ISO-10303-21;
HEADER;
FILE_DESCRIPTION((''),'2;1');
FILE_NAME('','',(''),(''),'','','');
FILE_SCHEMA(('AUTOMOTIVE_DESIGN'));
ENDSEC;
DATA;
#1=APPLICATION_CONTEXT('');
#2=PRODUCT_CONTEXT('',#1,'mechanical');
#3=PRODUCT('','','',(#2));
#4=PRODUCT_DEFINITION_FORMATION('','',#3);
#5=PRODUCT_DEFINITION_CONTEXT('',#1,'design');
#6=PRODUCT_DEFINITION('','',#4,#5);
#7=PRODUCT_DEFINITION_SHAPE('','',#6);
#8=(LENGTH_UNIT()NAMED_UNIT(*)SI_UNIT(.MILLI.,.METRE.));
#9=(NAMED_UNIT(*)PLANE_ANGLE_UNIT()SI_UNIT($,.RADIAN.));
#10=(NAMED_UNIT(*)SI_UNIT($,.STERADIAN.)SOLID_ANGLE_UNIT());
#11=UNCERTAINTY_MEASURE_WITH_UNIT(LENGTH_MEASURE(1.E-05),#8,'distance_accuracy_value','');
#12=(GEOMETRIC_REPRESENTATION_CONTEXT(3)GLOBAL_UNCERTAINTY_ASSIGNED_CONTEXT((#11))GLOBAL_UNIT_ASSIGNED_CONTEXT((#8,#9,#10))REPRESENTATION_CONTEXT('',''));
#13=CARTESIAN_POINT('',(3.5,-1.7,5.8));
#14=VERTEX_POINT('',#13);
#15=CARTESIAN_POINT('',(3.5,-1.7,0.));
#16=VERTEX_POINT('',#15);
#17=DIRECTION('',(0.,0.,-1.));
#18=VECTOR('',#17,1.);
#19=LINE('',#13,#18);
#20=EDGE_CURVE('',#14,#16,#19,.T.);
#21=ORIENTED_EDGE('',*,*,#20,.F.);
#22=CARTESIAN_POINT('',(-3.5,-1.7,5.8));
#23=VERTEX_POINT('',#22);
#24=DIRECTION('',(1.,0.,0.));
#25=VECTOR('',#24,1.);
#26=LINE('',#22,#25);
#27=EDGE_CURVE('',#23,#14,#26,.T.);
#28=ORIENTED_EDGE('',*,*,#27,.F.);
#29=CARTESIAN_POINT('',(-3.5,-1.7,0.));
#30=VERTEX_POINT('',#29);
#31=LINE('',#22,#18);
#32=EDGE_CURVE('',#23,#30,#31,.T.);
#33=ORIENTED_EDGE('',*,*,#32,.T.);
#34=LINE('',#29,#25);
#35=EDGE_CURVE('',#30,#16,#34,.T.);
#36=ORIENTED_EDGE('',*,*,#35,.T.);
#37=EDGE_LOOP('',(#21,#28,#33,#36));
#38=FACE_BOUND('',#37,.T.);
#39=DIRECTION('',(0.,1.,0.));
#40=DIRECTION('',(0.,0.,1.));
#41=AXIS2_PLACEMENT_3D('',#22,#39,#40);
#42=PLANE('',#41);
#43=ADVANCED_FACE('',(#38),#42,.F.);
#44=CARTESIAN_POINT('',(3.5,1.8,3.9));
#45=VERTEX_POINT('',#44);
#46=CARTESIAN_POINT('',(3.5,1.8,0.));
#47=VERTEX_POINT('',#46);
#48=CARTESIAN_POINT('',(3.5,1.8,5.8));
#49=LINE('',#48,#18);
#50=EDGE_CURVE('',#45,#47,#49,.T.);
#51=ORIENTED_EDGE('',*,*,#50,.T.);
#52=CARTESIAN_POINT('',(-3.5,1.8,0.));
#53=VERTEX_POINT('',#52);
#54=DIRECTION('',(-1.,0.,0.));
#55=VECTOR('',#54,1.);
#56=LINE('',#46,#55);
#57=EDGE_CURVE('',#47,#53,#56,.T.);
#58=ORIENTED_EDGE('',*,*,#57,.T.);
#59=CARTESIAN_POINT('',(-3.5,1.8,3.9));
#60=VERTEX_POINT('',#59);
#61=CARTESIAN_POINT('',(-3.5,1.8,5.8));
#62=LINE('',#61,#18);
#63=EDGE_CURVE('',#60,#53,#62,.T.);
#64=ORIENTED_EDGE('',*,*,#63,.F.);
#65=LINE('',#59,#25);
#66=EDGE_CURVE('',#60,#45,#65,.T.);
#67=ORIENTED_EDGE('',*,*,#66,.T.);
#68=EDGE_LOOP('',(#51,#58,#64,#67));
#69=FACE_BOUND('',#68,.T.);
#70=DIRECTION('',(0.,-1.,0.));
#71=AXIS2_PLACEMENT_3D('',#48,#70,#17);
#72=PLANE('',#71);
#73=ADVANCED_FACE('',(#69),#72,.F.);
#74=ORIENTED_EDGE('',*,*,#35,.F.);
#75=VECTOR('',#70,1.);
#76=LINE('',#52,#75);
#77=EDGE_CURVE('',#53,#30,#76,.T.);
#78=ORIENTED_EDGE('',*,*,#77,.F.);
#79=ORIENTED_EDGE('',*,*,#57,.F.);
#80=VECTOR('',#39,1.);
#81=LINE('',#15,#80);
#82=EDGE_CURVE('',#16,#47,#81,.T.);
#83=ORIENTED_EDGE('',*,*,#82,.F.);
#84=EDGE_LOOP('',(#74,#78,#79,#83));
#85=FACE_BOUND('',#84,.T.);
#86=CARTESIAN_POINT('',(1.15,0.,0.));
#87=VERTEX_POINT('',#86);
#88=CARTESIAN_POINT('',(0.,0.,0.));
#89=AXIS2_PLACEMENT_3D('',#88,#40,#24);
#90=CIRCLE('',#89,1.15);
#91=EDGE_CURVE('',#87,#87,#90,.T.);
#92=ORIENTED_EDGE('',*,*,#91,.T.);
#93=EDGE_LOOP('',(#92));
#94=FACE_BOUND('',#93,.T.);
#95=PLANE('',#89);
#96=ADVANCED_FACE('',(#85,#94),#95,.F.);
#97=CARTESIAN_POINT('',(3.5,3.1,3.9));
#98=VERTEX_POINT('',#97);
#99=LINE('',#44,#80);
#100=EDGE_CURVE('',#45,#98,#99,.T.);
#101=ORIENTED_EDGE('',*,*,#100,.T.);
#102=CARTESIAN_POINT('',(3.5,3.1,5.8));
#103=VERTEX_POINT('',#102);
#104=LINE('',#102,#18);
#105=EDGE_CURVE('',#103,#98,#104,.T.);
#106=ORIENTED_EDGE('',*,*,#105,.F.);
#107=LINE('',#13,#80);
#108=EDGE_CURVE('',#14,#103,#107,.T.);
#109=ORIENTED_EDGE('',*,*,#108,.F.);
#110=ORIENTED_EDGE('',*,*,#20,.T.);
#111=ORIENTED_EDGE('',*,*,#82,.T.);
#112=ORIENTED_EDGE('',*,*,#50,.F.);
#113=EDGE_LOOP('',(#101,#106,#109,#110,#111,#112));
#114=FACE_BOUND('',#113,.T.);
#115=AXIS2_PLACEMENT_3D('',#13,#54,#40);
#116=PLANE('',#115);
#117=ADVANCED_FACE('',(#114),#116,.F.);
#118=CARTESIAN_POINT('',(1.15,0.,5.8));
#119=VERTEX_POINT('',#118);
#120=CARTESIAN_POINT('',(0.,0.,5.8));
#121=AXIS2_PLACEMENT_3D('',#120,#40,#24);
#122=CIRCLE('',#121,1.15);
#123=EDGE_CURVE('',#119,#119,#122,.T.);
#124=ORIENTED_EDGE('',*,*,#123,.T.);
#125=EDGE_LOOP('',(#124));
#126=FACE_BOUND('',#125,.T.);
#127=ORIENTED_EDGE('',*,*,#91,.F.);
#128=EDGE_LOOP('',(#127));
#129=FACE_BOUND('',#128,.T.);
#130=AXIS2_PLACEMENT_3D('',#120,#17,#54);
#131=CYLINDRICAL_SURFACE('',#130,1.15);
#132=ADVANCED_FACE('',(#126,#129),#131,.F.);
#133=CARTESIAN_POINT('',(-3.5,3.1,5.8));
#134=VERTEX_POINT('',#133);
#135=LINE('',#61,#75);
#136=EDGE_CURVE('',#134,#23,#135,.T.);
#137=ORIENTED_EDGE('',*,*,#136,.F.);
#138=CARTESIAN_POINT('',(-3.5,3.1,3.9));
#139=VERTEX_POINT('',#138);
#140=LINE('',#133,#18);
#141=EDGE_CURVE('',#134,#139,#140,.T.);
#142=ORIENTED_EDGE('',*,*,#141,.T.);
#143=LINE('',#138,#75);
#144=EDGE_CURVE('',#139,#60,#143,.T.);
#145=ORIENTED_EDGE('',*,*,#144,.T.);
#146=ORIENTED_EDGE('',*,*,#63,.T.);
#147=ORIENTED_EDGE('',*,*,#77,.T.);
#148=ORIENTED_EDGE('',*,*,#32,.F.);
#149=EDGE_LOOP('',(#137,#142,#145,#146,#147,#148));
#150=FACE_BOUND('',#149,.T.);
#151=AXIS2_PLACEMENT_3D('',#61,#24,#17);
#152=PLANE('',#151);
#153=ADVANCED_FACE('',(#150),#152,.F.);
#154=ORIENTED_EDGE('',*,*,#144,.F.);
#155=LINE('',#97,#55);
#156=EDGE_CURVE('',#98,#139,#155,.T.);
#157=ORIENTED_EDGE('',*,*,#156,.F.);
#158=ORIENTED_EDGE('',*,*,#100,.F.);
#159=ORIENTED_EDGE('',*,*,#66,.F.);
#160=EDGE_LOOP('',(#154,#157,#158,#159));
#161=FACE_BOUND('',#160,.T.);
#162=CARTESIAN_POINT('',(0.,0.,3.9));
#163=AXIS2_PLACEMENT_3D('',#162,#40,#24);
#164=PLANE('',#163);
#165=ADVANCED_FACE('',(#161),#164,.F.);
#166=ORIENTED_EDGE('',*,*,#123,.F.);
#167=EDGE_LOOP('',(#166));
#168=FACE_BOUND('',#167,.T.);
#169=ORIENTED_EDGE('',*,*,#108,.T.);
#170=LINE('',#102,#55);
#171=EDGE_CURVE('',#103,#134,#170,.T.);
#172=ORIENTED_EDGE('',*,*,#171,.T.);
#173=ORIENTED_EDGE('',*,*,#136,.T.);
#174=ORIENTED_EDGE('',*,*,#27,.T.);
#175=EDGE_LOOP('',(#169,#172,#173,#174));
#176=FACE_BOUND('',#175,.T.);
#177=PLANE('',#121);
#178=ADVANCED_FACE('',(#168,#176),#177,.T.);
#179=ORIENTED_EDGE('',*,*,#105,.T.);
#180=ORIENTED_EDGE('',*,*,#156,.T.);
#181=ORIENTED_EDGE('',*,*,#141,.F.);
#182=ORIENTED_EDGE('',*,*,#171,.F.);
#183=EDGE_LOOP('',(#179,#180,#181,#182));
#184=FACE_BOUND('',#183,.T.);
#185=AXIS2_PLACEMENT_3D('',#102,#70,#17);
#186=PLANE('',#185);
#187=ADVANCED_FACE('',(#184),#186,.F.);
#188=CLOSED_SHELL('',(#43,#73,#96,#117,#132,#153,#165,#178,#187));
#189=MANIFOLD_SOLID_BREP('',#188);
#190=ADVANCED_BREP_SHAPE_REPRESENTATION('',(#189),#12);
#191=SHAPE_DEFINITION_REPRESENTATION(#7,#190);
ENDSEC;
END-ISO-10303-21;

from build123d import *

# Parameters (mm, degrees)
M2_SCREW_CLIP_BODY_PROFILE_W       = 7
M2_SCREW_CLIP_BODY_PROFILE_H       = 3.5
M2_SCREW_CLIP_BODY_PROFILE_R       = 1.15
M2_SCREW_CLIP_BODY_DEPTH           = 5.8
BOARD_START                        = 3.9
BOARD_EDGE_RETAINING_TOE_PROFILE_W = 7
BOARD_EDGE_RETAINING_TOE_PROFILE_H = 1.3
BOARD_EDGE_RETAINING_TOE_DEPTH     = 1.9


with BuildPart() as part:
    # M2 screw clip body profile → M2 screw clip body (new body)
    with BuildSketch(Plane.XY):
        with Locations((0, 0.05)):
            Rectangle(M2_SCREW_CLIP_BODY_PROFILE_W, M2_SCREW_CLIP_BODY_PROFILE_H)
        Circle(M2_SCREW_CLIP_BODY_PROFILE_R, mode=Mode.SUBTRACT)
    extrude(amount=M2_SCREW_CLIP_BODY_DEPTH)

    # Board edge retaining toe profile → Board edge retaining toe (add)
    with BuildSketch(Plane.XY.offset(BOARD_START)):
        with Locations((0, 2.45)):
            Rectangle(BOARD_EDGE_RETAINING_TOE_PROFILE_W, BOARD_EDGE_RETAINING_TOE_PROFILE_H)
    extrude(amount=BOARD_EDGE_RETAINING_TOE_DEPTH)


solid = part.part
